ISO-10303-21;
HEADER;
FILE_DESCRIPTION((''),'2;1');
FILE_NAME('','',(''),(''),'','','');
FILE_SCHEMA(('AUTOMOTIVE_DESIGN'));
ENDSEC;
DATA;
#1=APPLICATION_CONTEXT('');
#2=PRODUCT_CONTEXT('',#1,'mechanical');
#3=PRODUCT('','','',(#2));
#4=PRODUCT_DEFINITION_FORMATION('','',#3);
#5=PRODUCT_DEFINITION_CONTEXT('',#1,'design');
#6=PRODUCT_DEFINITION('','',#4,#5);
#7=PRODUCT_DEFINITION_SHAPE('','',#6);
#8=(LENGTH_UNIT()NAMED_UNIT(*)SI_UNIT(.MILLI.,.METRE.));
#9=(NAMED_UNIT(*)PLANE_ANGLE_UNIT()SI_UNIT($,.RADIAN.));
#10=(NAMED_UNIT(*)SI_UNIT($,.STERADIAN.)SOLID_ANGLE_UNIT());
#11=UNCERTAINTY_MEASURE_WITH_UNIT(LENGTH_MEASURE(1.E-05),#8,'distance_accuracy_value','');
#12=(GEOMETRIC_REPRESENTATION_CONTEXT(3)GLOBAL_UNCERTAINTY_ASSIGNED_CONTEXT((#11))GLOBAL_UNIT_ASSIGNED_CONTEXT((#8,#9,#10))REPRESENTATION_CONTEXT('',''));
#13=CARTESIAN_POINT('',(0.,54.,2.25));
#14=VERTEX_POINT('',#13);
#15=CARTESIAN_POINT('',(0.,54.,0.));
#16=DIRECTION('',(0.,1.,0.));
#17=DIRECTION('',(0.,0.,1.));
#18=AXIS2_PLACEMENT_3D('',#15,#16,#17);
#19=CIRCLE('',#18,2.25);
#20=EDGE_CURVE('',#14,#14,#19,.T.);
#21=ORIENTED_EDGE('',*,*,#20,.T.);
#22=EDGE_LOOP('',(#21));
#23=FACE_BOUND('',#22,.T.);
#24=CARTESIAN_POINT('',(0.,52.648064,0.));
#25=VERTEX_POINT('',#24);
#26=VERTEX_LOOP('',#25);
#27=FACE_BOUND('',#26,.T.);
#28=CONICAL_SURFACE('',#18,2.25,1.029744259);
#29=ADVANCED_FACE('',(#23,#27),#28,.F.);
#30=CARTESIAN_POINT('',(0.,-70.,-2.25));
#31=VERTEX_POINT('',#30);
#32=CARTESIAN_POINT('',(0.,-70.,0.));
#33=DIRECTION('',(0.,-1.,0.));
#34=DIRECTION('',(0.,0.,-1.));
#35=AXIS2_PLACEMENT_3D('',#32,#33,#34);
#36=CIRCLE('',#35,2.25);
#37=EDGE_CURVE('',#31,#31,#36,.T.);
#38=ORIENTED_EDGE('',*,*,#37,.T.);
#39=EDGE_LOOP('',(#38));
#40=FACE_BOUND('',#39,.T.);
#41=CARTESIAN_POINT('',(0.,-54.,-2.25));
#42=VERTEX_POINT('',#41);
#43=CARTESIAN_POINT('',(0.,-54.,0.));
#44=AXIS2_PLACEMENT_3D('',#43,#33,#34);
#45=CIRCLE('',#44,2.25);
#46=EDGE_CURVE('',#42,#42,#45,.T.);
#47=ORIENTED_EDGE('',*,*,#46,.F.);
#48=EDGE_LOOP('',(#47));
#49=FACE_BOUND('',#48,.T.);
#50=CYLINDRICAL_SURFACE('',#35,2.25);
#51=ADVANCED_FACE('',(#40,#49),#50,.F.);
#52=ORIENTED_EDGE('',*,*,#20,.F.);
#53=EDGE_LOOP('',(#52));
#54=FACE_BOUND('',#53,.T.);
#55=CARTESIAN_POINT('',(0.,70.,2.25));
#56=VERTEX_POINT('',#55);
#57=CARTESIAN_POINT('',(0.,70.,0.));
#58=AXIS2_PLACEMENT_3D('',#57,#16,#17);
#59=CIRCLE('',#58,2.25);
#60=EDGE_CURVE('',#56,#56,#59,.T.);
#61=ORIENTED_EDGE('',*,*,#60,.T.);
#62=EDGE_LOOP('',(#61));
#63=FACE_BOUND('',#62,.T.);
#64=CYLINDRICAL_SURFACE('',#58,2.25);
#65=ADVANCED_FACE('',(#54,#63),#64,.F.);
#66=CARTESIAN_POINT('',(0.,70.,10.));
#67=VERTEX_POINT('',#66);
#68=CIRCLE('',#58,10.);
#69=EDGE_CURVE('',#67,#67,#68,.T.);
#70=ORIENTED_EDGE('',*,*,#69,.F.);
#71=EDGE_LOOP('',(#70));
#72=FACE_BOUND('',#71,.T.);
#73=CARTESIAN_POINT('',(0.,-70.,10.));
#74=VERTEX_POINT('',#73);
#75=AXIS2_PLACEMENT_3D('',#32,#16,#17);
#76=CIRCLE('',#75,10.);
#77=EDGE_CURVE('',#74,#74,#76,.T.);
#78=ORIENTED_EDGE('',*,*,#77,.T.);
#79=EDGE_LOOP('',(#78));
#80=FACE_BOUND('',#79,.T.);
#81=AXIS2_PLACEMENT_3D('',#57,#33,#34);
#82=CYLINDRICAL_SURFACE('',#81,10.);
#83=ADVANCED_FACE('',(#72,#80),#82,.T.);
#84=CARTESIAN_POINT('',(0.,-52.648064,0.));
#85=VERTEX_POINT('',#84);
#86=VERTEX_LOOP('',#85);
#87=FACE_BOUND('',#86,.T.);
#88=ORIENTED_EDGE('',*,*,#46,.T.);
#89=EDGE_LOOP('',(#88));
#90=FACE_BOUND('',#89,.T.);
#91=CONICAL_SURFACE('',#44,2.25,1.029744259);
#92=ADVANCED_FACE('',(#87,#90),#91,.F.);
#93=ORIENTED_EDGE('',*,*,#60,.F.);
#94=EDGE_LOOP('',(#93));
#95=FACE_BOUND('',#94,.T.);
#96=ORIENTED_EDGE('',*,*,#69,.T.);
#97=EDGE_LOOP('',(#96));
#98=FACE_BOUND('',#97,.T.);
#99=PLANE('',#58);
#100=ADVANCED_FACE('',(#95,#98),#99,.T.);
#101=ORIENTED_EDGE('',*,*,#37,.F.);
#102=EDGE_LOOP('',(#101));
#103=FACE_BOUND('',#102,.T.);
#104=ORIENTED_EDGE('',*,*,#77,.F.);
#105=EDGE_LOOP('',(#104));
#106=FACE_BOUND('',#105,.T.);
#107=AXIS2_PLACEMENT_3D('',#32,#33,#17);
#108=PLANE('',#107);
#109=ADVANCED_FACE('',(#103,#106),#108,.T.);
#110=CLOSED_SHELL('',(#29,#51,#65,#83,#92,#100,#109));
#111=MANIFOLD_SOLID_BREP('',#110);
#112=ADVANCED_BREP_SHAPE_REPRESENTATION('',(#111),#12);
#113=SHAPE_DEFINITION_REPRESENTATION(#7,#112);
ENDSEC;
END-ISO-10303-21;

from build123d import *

# Parameters (mm, degrees)
SKETCH_1_R      = 10
EXTRUDE_1_DEPTH = 70


with BuildPart() as part:
    # Эскиз1 → Бобышка-Вытянуть1 (new body)
    with BuildSketch(Plane(origin=(0, 0, 0), x_dir=(1, 0, 0), z_dir=(0, 1, 0))):
        with Locations(Location((0, 0, 0), (0, 0, 270))):
            Circle(SKETCH_1_R)
    extrude_1 = extrude(amount=EXTRUDE_1_DEPTH)

    # Эскиз4 → Отверстие с зазором M41 (revolve, cut)
    with BuildSketch(Plane(origin=(0, 70, 0), x_dir=(0, 0, 1), z_dir=(1, 0, 0))):
        Polygon((0, 0), (0, 17.351936393), (2.25, 16), (2.25, 0), align=None)
    hole_wizard_m41 = revolve(axis=Axis((0, 76.35, 0), (0, -1, 0)), mode=Mode.SUBTRACT)

    # Зеркальное отражение1: Бобышка-Вытянуть1, Отверстие с зазором M41 across plane
    add(extrude_1.mirror(Plane.ZX))
    add(hole_wizard_m41.mirror(Plane.ZX), mode=Mode.SUBTRACT)


solid = part.part
